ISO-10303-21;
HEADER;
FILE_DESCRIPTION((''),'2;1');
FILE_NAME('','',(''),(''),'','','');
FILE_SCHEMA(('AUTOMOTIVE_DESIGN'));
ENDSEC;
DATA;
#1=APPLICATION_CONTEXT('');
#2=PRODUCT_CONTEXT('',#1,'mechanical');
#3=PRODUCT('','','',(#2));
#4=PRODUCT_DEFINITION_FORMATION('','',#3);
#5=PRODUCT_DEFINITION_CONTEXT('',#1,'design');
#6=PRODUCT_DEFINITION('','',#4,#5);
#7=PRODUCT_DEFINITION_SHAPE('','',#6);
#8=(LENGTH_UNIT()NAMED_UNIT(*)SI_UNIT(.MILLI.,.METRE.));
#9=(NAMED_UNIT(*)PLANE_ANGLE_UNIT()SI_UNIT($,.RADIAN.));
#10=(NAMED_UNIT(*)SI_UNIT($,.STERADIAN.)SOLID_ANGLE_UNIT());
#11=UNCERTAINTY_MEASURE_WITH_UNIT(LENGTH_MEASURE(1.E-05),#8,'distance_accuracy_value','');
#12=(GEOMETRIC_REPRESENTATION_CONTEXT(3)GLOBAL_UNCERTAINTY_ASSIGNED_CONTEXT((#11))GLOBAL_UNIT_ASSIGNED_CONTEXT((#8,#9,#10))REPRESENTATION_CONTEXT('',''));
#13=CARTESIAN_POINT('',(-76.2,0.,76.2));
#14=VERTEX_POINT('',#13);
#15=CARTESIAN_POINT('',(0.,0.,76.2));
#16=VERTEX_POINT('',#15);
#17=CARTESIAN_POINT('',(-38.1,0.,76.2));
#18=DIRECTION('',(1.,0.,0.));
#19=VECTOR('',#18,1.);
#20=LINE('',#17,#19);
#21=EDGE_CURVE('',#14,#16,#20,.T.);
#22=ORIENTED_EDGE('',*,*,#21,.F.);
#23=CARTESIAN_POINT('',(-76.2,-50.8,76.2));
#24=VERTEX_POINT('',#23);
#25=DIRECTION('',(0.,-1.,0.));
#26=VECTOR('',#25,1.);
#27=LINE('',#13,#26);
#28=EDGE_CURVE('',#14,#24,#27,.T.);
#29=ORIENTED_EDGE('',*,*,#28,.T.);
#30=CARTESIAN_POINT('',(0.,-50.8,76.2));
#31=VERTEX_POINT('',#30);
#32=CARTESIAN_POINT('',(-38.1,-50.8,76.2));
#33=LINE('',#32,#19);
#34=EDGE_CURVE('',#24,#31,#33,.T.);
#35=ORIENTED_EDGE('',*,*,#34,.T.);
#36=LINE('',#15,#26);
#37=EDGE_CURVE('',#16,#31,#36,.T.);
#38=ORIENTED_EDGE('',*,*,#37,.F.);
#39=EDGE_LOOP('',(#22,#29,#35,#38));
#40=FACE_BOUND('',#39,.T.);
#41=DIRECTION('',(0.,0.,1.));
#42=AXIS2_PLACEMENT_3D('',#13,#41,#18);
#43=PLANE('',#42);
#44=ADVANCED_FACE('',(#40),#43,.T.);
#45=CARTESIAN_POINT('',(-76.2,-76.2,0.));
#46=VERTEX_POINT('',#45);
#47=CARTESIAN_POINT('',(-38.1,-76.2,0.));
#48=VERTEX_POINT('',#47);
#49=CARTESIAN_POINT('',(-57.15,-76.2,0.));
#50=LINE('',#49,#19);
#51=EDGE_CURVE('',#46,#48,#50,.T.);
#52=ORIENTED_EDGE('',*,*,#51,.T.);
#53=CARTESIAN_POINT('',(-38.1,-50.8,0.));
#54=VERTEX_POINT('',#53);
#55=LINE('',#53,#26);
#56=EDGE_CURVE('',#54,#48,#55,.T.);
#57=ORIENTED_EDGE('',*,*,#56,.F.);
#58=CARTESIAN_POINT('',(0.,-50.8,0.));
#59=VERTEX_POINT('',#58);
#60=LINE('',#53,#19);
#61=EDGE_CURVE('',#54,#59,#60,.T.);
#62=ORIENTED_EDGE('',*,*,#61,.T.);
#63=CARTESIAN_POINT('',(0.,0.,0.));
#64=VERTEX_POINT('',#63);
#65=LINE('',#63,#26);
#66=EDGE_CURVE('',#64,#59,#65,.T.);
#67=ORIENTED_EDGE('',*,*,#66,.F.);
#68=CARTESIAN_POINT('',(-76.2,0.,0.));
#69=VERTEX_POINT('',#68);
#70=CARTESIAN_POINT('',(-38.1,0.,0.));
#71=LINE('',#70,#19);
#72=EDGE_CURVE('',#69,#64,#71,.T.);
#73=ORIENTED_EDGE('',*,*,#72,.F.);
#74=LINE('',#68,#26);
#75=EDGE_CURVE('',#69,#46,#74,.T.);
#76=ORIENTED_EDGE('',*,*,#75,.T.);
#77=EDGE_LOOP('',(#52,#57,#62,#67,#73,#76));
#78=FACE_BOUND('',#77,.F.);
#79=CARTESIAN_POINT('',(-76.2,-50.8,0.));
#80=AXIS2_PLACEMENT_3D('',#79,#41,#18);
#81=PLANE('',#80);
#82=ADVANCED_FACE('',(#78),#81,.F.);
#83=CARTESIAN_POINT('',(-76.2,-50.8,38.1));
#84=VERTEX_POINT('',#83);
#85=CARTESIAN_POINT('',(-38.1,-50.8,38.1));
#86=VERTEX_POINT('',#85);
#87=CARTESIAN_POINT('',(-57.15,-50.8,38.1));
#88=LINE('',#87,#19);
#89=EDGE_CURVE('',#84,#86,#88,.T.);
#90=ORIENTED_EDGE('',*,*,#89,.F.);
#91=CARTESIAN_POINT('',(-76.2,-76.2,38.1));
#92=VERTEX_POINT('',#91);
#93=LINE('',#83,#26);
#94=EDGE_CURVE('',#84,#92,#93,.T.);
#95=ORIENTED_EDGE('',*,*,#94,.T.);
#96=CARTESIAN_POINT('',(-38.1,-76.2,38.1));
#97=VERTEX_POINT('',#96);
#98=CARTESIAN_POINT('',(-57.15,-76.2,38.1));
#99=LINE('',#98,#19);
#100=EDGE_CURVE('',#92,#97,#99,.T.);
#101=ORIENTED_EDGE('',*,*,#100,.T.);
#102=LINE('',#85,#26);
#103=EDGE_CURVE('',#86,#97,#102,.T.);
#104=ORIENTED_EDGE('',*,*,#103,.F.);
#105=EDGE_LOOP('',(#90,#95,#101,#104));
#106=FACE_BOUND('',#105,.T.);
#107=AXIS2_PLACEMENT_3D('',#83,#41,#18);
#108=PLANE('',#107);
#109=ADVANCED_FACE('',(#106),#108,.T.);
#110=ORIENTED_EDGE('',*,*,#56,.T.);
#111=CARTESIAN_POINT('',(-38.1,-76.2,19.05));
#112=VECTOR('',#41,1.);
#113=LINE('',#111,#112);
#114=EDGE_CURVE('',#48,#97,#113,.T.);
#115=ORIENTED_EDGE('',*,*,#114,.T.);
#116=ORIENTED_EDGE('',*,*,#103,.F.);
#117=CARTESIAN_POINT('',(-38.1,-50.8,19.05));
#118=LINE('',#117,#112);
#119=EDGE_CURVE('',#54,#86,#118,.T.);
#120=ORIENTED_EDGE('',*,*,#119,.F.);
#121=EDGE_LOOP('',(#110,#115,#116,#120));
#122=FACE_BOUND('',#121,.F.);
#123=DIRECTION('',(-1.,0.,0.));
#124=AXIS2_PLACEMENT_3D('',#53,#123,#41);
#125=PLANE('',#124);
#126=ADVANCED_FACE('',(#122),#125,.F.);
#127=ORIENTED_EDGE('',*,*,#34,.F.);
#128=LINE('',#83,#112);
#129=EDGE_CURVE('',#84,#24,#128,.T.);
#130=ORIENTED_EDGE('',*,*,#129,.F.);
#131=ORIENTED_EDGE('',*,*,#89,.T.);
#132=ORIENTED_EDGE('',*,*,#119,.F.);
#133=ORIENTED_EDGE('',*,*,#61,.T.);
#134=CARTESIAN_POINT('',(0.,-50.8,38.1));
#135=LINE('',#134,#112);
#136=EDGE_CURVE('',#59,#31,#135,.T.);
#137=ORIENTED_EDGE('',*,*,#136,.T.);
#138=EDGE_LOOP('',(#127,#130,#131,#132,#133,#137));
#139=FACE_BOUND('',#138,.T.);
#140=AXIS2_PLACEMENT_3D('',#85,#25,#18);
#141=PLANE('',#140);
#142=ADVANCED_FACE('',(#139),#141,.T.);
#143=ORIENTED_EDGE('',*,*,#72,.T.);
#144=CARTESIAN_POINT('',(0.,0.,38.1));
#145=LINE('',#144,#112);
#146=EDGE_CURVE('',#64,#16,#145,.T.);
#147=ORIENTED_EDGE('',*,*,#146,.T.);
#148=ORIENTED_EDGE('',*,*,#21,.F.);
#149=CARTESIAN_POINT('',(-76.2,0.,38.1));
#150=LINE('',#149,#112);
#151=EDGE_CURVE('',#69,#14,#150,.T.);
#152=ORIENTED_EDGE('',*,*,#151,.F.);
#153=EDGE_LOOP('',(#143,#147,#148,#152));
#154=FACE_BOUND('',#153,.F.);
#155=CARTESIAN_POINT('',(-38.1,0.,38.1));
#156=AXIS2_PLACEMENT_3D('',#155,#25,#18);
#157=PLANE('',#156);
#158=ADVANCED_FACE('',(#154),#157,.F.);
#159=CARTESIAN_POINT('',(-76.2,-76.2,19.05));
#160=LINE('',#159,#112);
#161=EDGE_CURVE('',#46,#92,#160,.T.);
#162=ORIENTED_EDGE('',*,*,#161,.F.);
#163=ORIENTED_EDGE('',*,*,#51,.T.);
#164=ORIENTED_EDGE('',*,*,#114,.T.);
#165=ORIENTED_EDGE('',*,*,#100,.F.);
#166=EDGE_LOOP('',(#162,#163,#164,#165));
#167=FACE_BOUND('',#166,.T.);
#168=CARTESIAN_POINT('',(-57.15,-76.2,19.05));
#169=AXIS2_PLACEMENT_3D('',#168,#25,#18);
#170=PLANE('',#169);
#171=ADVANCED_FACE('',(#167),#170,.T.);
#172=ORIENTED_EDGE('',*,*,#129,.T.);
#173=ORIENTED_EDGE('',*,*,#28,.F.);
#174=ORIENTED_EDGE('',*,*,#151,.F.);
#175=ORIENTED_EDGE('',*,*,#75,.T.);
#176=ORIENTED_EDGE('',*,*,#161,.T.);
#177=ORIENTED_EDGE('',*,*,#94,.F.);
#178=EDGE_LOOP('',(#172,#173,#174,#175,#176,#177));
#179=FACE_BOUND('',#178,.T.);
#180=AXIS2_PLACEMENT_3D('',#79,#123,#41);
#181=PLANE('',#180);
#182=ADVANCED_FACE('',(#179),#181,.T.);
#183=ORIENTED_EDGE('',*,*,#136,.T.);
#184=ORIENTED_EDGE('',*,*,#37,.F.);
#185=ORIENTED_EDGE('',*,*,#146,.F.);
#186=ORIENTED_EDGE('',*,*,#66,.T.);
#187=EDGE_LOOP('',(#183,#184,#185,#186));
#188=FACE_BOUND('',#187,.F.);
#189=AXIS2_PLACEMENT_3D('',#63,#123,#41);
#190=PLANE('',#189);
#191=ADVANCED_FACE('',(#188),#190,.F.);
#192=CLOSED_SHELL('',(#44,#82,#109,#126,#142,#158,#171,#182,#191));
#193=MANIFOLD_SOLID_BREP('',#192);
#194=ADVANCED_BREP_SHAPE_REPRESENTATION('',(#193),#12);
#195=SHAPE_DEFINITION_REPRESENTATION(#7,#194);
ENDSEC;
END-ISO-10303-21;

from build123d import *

# Parameters (mm, degrees)
F1_W     = 76.2
F1_H     = 76.2
F2_DEPTH = 50.8
F3_W     = 38.1
F3_H     = 38.1
F4_DEPTH = 25.4


with BuildPart() as f2:
    # F1 (on face) → F2 (new body)
    with BuildSketch(Plane.XZ):
        with Locations((-38.1, 38.1)):
            Rectangle(F1_W, F1_H)
    extrude(amount=F2_DEPTH)

    # F3 (on face) → F4 (join)
    with BuildSketch(Plane.XZ.offset(50.8)):
        with Locations((-57.15, 19.05)):
            Rectangle(F3_W, F3_H)
    extrude(amount=F4_DEPTH)


solid = f2.part
